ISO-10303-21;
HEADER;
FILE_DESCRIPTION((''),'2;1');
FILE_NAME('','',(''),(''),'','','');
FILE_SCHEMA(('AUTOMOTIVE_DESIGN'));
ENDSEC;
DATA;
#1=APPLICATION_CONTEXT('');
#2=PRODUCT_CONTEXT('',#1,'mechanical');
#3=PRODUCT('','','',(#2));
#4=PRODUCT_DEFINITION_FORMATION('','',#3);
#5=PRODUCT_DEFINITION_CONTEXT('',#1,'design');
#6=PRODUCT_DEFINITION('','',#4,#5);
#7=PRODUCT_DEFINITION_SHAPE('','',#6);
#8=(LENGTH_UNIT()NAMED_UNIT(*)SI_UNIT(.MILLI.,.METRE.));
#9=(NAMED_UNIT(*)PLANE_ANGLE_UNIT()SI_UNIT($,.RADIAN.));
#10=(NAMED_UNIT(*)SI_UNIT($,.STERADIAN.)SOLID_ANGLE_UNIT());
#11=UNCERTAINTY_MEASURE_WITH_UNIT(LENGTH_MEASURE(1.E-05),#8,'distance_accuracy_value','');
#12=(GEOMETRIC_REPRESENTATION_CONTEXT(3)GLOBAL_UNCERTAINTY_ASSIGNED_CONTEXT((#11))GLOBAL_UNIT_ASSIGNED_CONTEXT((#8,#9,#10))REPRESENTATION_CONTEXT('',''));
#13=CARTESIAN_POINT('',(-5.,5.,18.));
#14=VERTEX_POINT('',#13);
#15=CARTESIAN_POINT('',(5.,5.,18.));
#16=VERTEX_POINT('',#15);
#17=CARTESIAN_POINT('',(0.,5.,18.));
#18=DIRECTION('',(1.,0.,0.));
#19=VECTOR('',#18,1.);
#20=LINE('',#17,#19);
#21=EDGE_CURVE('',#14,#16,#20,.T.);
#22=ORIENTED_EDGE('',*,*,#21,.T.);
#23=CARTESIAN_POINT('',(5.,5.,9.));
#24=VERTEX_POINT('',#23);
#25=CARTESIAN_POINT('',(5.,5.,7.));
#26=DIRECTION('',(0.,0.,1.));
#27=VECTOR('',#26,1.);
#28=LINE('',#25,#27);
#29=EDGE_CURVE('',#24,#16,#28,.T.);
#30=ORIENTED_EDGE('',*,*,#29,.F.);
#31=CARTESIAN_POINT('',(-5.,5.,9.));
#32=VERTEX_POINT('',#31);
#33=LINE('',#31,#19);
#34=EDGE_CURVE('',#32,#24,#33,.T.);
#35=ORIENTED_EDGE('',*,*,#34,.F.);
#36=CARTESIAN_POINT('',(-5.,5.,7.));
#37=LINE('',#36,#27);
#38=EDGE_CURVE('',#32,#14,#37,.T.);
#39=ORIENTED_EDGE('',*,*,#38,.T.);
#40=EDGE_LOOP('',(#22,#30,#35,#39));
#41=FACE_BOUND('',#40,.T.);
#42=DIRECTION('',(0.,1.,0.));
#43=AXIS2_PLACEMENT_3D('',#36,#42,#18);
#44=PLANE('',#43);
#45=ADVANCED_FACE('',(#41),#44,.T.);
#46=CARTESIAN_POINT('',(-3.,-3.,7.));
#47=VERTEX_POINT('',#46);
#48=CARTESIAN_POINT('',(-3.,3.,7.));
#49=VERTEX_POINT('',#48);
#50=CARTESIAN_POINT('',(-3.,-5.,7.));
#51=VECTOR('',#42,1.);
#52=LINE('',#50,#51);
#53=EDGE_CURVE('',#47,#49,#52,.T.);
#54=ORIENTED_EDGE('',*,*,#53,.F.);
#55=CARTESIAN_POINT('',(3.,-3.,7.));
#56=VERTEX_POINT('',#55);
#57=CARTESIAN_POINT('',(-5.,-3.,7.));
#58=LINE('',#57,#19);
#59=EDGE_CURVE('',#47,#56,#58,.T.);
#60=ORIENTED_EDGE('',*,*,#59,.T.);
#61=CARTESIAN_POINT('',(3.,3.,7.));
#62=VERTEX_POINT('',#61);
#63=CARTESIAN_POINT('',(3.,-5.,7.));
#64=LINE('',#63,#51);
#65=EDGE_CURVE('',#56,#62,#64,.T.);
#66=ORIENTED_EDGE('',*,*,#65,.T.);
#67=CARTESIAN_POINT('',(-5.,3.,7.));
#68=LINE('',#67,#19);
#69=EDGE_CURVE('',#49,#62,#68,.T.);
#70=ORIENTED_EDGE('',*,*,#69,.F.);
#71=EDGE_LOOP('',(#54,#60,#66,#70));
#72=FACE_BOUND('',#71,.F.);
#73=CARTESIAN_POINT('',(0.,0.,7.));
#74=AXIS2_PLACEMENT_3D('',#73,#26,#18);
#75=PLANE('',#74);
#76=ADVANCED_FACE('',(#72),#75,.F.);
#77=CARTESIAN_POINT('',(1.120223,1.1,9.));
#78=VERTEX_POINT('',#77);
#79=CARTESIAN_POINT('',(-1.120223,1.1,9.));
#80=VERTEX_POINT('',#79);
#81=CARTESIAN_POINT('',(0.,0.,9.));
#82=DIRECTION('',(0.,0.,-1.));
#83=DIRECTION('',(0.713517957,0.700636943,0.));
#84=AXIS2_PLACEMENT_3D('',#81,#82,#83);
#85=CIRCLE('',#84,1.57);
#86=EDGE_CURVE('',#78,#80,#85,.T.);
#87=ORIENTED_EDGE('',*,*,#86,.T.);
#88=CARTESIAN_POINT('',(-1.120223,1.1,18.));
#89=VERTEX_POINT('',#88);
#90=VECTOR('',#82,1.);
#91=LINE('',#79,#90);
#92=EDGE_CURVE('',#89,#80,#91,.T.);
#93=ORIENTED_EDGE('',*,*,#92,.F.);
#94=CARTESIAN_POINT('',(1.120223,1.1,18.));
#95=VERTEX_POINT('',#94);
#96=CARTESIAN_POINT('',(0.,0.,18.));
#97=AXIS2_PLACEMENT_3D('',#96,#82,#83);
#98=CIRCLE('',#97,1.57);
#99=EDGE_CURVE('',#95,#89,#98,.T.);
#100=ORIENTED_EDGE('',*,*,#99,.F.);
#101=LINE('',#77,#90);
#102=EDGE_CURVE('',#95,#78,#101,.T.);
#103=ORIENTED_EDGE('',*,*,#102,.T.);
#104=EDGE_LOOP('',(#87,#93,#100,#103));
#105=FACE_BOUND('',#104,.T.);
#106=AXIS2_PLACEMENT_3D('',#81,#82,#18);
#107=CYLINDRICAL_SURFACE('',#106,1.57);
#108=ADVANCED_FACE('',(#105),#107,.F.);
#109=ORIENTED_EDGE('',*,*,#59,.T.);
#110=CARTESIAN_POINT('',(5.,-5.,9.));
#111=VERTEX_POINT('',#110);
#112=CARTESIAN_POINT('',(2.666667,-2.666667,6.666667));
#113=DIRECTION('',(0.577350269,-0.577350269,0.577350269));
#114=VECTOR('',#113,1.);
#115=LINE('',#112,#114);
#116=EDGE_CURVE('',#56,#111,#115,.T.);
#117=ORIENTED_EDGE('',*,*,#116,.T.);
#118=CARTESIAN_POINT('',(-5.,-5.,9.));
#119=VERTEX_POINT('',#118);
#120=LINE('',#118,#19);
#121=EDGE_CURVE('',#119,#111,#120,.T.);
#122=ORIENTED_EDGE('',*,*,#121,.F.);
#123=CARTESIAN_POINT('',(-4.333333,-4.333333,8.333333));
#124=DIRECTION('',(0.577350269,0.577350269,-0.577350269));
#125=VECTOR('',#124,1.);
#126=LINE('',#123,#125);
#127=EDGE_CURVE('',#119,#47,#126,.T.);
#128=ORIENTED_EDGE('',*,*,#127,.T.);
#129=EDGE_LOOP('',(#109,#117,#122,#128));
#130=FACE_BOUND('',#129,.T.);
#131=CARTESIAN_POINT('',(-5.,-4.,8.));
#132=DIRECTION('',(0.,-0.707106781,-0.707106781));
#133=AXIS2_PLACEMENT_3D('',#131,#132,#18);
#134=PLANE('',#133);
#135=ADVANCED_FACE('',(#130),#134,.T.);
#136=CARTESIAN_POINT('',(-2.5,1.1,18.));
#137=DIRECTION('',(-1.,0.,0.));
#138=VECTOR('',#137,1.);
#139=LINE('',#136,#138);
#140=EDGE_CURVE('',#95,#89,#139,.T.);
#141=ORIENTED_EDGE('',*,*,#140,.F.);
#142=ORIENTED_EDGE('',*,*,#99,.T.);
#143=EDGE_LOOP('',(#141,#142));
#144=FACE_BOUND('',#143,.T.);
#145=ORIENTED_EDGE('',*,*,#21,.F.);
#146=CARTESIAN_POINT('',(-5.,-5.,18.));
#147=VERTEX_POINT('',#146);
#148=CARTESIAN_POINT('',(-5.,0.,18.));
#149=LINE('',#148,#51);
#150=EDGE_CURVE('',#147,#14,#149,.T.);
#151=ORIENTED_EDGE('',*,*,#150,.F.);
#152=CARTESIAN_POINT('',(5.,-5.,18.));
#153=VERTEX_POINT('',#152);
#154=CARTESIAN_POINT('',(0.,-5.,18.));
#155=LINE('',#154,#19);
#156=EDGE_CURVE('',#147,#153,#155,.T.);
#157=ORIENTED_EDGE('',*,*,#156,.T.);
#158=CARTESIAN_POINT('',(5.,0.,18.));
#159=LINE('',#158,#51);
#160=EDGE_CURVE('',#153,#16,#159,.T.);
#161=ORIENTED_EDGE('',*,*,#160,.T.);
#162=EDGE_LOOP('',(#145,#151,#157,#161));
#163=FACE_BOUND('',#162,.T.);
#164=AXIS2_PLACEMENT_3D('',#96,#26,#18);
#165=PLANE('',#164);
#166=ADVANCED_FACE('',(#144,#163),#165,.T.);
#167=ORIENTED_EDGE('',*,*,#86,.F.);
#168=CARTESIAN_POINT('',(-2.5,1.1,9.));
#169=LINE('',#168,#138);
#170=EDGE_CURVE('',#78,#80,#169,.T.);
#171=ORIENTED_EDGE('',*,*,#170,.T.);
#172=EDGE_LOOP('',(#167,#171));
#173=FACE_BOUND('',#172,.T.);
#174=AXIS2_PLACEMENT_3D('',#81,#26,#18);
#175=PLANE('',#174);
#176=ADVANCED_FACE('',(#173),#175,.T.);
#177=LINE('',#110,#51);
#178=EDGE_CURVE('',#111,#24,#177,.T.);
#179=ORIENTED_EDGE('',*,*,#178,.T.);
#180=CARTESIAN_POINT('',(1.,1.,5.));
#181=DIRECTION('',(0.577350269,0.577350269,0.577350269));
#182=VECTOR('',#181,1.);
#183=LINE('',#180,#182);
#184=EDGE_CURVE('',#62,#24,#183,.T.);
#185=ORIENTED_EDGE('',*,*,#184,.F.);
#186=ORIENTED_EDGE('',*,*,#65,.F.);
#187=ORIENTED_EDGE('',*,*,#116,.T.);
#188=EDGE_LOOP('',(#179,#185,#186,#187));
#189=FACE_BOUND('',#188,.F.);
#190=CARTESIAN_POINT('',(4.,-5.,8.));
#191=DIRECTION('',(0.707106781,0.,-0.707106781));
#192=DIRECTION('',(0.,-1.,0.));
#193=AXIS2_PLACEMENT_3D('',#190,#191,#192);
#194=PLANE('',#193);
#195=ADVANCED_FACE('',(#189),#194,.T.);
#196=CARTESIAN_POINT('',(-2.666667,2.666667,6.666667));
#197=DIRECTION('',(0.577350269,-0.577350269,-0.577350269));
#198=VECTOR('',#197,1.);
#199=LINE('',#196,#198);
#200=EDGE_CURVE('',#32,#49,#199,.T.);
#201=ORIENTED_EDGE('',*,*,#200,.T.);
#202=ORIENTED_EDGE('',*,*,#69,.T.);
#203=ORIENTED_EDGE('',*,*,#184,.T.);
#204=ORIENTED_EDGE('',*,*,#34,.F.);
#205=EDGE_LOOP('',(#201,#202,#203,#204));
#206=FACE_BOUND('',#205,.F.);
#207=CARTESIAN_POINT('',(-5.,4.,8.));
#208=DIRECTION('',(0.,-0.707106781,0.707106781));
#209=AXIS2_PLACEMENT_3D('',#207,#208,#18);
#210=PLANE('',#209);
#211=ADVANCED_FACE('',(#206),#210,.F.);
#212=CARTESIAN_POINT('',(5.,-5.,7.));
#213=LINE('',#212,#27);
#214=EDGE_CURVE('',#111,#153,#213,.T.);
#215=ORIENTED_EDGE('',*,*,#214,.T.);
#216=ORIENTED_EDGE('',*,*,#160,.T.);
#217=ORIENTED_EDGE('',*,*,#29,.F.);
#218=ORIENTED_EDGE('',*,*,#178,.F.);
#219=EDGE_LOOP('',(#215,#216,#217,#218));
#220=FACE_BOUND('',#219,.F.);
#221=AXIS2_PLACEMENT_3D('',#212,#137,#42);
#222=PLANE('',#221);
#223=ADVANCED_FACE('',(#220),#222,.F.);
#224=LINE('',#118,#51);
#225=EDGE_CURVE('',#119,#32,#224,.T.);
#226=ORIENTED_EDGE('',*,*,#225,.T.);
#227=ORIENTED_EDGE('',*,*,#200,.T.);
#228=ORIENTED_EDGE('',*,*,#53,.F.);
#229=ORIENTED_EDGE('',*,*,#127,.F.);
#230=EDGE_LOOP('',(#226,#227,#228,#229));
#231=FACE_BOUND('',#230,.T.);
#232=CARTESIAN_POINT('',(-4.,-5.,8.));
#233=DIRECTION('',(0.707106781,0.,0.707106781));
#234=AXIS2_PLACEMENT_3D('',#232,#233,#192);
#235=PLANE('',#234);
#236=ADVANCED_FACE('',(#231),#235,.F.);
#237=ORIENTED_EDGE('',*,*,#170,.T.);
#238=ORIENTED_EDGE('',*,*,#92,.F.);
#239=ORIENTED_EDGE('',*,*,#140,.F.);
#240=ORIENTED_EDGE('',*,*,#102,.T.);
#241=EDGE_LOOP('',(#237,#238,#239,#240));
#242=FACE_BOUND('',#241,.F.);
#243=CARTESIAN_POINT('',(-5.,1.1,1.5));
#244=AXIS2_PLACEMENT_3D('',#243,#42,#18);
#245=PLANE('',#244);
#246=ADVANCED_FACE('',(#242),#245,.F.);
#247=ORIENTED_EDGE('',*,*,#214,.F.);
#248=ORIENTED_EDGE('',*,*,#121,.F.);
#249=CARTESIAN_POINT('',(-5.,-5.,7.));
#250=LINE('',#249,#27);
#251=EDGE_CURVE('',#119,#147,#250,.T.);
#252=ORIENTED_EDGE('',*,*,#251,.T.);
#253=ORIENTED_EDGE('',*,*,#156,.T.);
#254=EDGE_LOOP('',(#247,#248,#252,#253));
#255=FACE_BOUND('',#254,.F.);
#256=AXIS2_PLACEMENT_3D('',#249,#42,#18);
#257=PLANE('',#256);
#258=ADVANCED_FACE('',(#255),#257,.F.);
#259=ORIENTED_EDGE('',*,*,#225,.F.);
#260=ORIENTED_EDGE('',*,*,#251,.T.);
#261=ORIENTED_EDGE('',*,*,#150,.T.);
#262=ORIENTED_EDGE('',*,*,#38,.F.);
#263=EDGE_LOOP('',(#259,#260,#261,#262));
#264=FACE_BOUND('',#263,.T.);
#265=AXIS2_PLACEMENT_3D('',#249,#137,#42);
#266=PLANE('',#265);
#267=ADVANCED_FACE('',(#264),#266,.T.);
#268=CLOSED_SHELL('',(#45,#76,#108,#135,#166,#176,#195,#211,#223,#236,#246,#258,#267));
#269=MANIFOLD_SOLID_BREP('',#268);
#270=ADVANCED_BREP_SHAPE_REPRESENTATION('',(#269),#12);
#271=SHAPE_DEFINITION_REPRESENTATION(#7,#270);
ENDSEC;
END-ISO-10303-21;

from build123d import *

# Parameters (mm, degrees)
BOX406008008_W     = 10
BOX406008008_H     = 10
BOX406008008_DEPTH = 19
CYLINDER079_R      = 1.57
CYLINDER079_DEPTH  = 17
BOX406008009_W     = 10
BOX406008009_H     = 10
BOX406008009_DEPTH = 11
CHAMFER004_SIZE    = 2


with BuildPart() as cube343:
    # Box406008008 → Box406008008 (new body)
    with BuildSketch(Plane(origin=(-5, 1.1, 1.5), x_dir=(1, 0, 0), z_dir=(0, 0, 1))):
        with Locations((5, 5)):
            Rectangle(BOX406008008_W, BOX406008008_H)
    extrude(amount=BOX406008008_DEPTH)


with BuildPart() as motor_shaft_hole:
    # Cylinder079 → Cylinder079 (new body)
    with BuildSketch(Plane.XY.offset(9)):
        Circle(CYLINDER079_R)
    extrude(amount=CYLINDER079_DEPTH)

    # Cut064: cut Cube343
    add(cube343.part, mode=Mode.SUBTRACT)


with BuildPart() as square_peg001:
    # Box406008009 → Box406008009 (new body)
    with BuildSketch(Plane(origin=(-5, -5, 7), x_dir=(1, 0, 0), z_dir=(0, 0, 1))):
        with Locations((5, 5)):
            Rectangle(BOX406008009_W, BOX406008009_H)
    extrude(amount=BOX406008009_DEPTH)

    # Cut065: cut Motor Shaft Hole
    add(motor_shaft_hole.part, mode=Mode.SUBTRACT)

    # Chamfer004
    chamfer004_edges = [square_peg001.edges().sort_by_distance(p)[0] for p in [
        (-5, 0, 7),
        (0, -5, 7),
        (0, 5, 7),
        (5, 0, 7),
    ]]
    chamfer(chamfer004_edges, length=CHAMFER004_SIZE)


solid = square_peg001.part
